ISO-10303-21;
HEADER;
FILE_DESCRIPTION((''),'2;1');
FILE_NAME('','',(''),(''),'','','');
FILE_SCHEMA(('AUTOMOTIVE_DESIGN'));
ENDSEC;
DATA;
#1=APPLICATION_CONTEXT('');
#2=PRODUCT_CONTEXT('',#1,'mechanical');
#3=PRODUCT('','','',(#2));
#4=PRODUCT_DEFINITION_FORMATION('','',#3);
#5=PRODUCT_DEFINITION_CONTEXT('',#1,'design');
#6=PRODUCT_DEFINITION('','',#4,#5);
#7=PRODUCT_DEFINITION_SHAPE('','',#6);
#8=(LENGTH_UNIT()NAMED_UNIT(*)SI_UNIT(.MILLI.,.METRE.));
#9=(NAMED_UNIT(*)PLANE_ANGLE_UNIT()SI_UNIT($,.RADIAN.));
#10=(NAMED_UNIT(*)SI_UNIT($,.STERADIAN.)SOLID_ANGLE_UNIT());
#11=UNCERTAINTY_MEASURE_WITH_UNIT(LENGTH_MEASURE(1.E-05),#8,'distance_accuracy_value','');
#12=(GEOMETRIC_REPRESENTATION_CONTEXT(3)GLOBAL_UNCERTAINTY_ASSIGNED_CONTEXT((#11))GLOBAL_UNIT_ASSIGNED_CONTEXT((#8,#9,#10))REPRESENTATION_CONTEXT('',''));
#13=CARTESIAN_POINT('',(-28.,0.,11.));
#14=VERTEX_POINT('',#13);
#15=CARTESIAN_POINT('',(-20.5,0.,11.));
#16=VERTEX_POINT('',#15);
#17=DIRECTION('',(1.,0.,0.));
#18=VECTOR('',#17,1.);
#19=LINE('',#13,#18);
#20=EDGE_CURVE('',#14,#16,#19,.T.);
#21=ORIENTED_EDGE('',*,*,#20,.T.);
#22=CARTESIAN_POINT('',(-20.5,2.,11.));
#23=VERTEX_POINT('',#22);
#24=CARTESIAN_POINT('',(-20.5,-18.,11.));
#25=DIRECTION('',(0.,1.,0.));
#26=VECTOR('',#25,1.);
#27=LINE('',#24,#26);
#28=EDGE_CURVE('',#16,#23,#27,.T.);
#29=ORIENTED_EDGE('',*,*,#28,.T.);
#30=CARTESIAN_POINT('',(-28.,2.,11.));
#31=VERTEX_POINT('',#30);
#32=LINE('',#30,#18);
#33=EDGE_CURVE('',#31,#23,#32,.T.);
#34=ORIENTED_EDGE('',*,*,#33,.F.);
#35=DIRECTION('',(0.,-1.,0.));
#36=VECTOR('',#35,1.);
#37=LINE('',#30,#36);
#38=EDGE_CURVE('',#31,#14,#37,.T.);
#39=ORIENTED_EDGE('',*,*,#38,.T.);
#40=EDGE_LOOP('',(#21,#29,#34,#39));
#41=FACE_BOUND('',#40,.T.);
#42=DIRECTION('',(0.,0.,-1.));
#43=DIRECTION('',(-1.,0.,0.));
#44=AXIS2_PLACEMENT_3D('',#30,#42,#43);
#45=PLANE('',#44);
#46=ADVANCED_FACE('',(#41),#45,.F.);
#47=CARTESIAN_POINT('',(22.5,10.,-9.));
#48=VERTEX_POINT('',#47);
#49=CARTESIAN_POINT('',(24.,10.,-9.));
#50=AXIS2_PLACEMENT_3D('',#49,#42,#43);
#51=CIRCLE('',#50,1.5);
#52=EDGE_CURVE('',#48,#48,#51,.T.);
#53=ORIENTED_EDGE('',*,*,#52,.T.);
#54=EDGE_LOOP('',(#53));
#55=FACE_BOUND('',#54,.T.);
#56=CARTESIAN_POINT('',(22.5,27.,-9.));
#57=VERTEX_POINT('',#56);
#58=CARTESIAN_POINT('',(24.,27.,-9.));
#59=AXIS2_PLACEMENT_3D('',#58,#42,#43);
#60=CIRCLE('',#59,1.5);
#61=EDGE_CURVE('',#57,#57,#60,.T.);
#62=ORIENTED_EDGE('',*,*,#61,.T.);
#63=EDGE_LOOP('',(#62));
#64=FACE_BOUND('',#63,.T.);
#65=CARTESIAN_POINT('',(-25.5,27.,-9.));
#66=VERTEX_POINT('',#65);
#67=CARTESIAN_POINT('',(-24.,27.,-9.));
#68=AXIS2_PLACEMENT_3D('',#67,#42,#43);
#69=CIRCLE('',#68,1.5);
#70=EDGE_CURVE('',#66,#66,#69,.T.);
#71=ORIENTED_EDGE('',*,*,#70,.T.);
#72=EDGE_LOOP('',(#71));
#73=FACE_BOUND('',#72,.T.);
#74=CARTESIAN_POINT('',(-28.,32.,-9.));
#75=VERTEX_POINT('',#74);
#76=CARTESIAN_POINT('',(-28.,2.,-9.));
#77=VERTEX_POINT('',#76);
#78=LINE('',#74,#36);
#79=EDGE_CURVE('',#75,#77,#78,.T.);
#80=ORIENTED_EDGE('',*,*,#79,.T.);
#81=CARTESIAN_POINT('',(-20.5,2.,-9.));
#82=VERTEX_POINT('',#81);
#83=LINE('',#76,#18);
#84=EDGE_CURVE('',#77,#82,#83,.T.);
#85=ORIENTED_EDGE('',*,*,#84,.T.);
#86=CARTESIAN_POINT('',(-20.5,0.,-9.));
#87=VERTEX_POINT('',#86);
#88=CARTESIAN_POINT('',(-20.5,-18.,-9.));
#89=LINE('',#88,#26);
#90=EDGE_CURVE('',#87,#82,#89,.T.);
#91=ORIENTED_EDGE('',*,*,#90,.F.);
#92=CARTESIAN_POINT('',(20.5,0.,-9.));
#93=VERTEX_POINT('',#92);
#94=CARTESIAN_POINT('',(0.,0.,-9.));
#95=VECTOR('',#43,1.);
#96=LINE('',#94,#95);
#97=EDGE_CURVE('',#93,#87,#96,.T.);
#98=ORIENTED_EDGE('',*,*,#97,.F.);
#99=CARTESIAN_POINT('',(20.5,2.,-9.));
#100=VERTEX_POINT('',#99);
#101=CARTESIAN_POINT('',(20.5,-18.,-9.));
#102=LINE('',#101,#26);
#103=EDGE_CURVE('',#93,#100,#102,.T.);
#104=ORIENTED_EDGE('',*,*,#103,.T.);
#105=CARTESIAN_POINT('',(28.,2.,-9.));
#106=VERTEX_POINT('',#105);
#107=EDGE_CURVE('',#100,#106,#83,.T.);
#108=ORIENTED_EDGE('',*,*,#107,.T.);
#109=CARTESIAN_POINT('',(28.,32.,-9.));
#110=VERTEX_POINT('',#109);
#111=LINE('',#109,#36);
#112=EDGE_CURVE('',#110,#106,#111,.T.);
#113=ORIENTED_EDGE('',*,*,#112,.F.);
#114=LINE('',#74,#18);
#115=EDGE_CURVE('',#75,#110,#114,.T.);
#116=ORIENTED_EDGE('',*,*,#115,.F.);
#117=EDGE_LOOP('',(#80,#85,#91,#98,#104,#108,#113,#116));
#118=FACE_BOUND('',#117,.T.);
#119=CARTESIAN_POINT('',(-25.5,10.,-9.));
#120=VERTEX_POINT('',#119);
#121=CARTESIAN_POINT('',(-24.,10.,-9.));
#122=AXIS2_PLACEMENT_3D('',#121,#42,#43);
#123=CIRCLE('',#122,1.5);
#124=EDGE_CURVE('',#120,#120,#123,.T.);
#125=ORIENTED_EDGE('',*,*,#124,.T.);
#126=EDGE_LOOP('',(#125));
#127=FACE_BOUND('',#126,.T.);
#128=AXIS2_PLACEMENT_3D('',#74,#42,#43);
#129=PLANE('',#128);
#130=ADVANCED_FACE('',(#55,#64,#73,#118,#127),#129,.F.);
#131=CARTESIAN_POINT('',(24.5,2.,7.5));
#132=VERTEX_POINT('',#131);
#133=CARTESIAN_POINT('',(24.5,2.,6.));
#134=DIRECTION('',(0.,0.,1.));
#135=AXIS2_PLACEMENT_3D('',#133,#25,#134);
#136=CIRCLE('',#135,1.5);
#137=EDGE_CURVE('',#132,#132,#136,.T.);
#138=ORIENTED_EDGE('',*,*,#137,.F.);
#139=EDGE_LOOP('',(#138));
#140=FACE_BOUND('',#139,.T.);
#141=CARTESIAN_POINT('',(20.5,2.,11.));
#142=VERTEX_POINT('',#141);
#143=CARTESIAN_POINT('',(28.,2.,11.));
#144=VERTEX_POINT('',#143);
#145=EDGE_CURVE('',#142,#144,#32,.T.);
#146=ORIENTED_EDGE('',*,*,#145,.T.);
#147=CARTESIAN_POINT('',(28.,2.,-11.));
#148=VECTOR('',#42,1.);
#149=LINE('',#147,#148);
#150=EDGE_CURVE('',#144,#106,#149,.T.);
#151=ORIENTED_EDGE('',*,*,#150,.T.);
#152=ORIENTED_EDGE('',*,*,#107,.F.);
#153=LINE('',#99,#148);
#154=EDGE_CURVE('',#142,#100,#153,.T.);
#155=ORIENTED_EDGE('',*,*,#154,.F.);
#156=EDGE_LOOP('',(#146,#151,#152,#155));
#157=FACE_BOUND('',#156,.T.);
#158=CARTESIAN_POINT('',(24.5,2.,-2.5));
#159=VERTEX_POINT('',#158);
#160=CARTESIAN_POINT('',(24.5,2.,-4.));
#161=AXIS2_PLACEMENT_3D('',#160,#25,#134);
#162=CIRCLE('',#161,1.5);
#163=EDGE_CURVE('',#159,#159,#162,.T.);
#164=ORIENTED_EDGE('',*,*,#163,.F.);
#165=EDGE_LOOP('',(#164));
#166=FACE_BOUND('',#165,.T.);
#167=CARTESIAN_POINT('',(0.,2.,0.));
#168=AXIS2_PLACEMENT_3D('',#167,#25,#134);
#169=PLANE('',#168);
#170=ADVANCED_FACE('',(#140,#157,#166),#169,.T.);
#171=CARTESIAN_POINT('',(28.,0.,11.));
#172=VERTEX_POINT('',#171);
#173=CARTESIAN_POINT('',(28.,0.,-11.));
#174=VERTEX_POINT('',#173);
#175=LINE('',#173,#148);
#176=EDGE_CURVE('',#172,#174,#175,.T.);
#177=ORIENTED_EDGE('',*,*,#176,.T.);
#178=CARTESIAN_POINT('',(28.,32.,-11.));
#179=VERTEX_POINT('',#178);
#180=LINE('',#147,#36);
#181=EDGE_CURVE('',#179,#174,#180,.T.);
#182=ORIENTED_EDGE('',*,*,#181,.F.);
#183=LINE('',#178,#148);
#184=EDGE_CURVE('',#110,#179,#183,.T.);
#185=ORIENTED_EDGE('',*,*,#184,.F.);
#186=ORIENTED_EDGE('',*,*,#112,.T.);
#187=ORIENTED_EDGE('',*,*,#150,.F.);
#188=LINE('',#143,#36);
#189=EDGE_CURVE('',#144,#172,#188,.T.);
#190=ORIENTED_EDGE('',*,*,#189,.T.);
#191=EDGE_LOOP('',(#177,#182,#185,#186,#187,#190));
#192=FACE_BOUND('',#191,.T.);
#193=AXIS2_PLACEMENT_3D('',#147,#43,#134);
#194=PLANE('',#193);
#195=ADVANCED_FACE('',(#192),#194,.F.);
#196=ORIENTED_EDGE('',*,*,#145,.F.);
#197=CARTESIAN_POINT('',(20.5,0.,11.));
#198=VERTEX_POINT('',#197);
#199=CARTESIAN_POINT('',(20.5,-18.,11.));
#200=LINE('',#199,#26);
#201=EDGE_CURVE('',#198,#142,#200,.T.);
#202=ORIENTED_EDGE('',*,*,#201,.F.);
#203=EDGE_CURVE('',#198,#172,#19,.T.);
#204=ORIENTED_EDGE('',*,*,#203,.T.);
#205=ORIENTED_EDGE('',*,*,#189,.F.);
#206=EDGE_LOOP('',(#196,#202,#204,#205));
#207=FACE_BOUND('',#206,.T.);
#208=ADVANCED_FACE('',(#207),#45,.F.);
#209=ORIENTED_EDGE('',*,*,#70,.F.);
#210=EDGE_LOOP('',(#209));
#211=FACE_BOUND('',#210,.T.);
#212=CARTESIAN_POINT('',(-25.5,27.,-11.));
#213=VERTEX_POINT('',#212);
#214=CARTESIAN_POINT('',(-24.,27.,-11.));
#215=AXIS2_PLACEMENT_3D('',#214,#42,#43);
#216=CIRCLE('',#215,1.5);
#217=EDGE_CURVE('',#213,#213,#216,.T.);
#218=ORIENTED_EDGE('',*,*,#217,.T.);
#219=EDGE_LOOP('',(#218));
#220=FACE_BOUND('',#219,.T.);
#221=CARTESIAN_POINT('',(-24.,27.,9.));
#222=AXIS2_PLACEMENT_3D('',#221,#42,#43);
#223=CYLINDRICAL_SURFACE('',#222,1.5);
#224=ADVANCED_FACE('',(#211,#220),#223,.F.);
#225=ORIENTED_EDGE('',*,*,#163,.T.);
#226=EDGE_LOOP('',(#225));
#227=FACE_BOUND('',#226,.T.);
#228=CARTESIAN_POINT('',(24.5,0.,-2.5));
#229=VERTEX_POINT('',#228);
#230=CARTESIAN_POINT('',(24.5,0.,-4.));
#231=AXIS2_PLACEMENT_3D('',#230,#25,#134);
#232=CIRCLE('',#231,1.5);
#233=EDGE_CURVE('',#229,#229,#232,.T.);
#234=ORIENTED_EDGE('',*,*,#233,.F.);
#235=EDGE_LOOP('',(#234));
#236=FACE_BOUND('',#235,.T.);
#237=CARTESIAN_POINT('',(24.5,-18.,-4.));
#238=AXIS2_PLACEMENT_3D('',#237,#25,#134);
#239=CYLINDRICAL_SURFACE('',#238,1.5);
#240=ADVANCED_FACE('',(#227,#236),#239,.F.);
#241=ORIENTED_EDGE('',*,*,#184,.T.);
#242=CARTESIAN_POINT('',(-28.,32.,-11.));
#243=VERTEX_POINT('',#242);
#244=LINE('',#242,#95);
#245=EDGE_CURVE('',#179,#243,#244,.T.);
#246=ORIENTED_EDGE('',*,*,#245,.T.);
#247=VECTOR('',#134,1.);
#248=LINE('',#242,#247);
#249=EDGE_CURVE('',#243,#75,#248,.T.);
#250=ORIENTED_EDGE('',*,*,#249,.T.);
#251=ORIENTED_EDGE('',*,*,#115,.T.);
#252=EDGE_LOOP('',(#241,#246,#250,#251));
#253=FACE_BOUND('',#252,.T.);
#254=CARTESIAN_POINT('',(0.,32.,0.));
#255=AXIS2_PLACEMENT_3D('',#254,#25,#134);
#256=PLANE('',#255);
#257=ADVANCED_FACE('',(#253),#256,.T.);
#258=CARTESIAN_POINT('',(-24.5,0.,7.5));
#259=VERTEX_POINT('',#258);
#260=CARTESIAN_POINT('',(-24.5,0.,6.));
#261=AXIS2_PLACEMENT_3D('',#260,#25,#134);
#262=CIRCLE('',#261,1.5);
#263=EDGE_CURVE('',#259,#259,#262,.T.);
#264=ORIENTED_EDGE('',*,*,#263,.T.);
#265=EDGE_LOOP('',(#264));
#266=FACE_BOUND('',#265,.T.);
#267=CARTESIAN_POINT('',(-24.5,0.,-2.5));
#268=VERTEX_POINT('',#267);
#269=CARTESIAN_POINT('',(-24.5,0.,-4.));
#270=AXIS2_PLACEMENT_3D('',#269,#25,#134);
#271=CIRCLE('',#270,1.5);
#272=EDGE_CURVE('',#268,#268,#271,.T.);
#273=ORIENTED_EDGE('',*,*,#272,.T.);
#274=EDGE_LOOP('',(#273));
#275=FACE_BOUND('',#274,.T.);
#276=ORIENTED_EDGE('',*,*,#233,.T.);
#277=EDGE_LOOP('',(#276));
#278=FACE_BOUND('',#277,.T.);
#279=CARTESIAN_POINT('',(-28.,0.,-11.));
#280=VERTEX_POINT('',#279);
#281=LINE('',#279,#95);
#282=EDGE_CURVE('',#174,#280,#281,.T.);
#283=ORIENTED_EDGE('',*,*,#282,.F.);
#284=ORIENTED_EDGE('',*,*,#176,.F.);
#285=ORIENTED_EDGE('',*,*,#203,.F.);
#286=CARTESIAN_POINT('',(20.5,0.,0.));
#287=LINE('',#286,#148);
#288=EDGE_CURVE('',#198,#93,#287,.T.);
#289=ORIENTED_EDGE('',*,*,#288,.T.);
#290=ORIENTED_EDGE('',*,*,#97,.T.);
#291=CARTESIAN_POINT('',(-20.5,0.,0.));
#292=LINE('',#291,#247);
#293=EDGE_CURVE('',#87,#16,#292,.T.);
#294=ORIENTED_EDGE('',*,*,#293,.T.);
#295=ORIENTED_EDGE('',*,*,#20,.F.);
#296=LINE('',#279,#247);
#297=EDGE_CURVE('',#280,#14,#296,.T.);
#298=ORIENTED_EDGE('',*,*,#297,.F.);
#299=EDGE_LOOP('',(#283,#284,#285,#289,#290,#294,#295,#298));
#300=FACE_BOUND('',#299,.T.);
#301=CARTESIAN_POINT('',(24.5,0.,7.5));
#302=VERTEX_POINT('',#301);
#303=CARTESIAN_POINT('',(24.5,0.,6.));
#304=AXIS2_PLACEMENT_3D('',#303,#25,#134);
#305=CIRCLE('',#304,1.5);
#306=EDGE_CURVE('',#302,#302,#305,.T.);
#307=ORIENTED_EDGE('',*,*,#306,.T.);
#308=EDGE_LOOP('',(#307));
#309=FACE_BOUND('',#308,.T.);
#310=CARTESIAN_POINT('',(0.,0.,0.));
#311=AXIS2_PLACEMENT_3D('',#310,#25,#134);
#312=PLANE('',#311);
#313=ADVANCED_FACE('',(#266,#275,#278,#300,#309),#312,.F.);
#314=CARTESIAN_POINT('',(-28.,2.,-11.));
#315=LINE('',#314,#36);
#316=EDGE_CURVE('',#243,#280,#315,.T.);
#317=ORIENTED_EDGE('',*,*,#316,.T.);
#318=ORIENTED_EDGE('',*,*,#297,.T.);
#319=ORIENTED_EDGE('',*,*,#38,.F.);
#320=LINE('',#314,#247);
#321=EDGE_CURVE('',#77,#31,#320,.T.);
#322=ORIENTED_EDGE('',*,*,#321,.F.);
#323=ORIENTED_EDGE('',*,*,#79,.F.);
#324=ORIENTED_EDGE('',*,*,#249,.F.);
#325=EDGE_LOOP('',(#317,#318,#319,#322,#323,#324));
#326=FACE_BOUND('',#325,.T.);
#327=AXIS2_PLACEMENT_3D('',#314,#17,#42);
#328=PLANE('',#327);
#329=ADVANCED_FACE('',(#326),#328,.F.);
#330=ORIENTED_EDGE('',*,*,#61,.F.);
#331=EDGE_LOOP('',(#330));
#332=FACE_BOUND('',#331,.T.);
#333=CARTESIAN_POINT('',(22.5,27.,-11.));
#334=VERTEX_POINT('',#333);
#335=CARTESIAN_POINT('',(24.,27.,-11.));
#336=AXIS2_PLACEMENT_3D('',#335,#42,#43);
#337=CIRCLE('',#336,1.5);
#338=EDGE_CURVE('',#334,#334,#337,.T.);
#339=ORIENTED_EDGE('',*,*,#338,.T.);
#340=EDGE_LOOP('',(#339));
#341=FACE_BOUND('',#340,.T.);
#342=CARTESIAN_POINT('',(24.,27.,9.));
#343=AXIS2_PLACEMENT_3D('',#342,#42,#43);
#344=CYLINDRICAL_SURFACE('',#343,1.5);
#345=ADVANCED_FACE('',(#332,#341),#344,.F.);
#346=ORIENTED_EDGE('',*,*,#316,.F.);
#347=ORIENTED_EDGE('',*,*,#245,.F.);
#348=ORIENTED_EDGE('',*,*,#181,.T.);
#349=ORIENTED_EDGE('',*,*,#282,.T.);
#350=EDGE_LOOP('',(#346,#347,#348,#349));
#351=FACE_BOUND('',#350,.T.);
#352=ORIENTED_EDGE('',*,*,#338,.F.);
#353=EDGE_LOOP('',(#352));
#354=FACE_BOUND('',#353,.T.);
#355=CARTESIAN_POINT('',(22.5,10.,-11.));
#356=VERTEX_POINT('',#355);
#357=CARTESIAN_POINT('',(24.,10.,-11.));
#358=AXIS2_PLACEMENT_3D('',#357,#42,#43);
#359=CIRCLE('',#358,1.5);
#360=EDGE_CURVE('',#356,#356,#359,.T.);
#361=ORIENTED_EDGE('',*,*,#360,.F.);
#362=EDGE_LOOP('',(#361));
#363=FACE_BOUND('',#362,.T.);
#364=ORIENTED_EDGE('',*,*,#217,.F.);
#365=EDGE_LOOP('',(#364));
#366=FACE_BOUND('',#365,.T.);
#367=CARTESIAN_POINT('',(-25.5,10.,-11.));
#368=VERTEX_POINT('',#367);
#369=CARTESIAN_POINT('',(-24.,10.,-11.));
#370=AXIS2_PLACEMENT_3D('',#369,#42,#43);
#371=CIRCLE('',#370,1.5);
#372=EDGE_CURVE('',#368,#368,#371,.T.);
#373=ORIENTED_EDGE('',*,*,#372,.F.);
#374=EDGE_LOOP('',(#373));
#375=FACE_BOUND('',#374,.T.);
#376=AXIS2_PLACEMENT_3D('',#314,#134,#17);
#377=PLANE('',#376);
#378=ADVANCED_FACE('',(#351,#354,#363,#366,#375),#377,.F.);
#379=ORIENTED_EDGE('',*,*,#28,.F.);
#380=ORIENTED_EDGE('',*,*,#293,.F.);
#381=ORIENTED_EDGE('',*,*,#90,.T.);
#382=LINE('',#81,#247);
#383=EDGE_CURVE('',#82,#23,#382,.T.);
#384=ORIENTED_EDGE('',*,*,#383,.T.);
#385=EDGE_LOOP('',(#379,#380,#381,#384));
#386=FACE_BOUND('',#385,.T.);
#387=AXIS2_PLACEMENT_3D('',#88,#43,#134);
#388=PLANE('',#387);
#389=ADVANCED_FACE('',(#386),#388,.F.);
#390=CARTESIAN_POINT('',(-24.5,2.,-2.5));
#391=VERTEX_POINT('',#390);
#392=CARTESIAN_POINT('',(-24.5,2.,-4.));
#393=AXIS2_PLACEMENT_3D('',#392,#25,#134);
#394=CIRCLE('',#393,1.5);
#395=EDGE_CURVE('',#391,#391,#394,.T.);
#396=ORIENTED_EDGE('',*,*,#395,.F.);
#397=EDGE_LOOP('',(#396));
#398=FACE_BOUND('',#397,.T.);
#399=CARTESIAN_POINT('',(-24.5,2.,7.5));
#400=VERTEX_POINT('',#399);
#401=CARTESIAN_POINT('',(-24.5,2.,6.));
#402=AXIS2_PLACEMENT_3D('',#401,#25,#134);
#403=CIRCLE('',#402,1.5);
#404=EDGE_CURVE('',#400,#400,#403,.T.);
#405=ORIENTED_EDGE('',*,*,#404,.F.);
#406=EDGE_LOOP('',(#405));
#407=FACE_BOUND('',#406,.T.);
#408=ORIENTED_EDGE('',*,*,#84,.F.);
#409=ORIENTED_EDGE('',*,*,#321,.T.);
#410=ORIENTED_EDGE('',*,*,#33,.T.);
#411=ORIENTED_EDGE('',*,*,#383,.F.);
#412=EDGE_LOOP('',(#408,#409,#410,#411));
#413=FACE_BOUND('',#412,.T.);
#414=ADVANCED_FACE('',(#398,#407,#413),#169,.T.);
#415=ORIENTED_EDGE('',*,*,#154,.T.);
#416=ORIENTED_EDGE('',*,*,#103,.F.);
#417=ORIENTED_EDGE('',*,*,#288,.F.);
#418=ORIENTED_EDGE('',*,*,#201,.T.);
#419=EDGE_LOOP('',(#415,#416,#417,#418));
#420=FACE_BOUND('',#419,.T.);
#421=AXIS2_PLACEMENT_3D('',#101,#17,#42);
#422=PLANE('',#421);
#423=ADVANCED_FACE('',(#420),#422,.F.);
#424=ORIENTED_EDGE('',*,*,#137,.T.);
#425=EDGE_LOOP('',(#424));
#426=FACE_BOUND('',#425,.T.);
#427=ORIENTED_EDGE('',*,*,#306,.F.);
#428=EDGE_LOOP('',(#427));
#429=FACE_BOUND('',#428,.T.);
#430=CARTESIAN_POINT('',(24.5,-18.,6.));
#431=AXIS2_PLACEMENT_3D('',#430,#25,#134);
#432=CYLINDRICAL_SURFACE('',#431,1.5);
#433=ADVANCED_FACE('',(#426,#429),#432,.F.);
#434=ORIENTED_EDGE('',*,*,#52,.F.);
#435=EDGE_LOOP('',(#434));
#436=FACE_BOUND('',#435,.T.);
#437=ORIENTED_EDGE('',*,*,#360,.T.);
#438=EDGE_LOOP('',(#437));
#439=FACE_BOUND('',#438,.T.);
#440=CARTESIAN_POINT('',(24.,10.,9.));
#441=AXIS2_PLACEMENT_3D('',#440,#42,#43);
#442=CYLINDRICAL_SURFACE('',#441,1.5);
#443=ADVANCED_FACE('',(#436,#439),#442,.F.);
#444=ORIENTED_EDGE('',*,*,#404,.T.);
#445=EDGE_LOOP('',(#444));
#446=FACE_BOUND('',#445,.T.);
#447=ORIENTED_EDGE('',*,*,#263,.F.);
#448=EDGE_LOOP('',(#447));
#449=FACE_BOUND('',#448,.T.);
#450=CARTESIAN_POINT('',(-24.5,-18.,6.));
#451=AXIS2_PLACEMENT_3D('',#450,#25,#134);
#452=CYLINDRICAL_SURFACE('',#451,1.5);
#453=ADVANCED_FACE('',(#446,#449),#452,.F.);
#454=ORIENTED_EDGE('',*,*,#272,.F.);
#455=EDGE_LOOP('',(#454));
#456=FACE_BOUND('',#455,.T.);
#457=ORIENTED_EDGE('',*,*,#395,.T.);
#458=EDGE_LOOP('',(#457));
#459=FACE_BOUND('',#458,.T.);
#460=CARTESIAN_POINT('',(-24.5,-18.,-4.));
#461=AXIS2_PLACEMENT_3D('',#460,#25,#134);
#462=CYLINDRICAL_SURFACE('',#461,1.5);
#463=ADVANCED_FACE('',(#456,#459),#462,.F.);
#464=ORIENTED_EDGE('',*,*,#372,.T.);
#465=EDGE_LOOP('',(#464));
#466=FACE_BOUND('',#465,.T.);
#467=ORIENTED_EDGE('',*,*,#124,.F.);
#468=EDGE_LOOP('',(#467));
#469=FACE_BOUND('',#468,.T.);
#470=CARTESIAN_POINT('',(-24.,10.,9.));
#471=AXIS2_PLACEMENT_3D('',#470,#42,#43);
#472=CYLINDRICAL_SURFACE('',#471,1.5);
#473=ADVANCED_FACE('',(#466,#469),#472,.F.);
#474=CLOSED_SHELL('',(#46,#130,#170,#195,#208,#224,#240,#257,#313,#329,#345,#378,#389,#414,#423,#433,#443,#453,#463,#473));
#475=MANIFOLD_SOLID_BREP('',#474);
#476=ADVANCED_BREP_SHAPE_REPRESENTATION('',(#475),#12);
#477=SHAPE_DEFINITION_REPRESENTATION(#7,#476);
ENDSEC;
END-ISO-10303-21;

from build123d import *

# Parameters (mm, degrees)
ESQUISSE1_W             = 56
ESQUISSE1_H             = 22
BOSS_EXTRU_1_DEPTH      = 2
ESQUISSE2_W             = 56
ESQUISSE2_H             = 2
BOSS_EXTRU_2_DEPTH      = 30
ESQUISSE3_W             = 41
ESQUISSE3_H             = 20
ENL_V_MAT_EXTRU_1_DEPTH = 20
ESQUISSE5_R             = 1.5
ENL_V_MAT_EXTRU_2_DEPTH = 20
ESQUISSE6_R             = 1.5
ENL_V_MAT_EXTRU_3_DEPTH = 20


with BuildPart() as part:
    # Esquisse1 → Boss.-Extru.1 (new body)
    with BuildSketch(Plane(origin=(0, 0, 0), x_dir=(1, 0, 0), z_dir=(0, 1, 0))):
        Rectangle(ESQUISSE1_W, ESQUISSE1_H)
    extrude(amount=BOSS_EXTRU_1_DEPTH)

    # Esquisse2 → Boss.-Extru.2 (add)
    with BuildSketch(Plane(origin=(0, 2, 0), x_dir=(1, 0, 0), z_dir=(0, 1, 0))):
        with Locations((0, 10)):
            Rectangle(ESQUISSE2_W, ESQUISSE2_H)
    extrude(amount=BOSS_EXTRU_2_DEPTH)

    # Esquisse3 → Enlèv. mat.-Extru.1 (cut)
    with BuildSketch(Plane(origin=(0, 2, 0), x_dir=(1, 0, 0), z_dir=(0, 1, 0))):
        with Locations((0, -1)):
            Rectangle(ESQUISSE3_W, ESQUISSE3_H)
    extrude(amount=-ENL_V_MAT_EXTRU_1_DEPTH, mode=Mode.SUBTRACT)

    # Esquisse5 → Enlèv. mat.-Extru.2 (cut)
    with BuildSketch(Plane(origin=(0, 2, 0), x_dir=(1, 0, 0), z_dir=(0, 1, 0))):
        with Locations((-24.5, 4)):
            Circle(ESQUISSE5_R)
        with Locations((-24.5, -6)):
            Circle(ESQUISSE5_R)
        with Locations((24.5, 4)):
            Circle(ESQUISSE5_R)
        with Locations((24.5, -6)):
            Circle(ESQUISSE5_R)
    extrude(amount=-ENL_V_MAT_EXTRU_2_DEPTH, mode=Mode.SUBTRACT)

    # Esquisse6 → Enlèv. mat.-Extru.3 (cut)
    with BuildSketch(Plane(origin=(0, 0, -11), x_dir=(-1, 0, 0), z_dir=(0, 0, -1))):
        with Locations((-24, 27)):
            Circle(ESQUISSE6_R)
        with Locations((-24, 10)):
            Circle(ESQUISSE6_R)
        with Locations((24, 10)):
            Circle(ESQUISSE6_R)
        with Locations((24, 27)):
            Circle(ESQUISSE6_R)
    extrude(amount=-ENL_V_MAT_EXTRU_3_DEPTH, mode=Mode.SUBTRACT)


solid = part.part
